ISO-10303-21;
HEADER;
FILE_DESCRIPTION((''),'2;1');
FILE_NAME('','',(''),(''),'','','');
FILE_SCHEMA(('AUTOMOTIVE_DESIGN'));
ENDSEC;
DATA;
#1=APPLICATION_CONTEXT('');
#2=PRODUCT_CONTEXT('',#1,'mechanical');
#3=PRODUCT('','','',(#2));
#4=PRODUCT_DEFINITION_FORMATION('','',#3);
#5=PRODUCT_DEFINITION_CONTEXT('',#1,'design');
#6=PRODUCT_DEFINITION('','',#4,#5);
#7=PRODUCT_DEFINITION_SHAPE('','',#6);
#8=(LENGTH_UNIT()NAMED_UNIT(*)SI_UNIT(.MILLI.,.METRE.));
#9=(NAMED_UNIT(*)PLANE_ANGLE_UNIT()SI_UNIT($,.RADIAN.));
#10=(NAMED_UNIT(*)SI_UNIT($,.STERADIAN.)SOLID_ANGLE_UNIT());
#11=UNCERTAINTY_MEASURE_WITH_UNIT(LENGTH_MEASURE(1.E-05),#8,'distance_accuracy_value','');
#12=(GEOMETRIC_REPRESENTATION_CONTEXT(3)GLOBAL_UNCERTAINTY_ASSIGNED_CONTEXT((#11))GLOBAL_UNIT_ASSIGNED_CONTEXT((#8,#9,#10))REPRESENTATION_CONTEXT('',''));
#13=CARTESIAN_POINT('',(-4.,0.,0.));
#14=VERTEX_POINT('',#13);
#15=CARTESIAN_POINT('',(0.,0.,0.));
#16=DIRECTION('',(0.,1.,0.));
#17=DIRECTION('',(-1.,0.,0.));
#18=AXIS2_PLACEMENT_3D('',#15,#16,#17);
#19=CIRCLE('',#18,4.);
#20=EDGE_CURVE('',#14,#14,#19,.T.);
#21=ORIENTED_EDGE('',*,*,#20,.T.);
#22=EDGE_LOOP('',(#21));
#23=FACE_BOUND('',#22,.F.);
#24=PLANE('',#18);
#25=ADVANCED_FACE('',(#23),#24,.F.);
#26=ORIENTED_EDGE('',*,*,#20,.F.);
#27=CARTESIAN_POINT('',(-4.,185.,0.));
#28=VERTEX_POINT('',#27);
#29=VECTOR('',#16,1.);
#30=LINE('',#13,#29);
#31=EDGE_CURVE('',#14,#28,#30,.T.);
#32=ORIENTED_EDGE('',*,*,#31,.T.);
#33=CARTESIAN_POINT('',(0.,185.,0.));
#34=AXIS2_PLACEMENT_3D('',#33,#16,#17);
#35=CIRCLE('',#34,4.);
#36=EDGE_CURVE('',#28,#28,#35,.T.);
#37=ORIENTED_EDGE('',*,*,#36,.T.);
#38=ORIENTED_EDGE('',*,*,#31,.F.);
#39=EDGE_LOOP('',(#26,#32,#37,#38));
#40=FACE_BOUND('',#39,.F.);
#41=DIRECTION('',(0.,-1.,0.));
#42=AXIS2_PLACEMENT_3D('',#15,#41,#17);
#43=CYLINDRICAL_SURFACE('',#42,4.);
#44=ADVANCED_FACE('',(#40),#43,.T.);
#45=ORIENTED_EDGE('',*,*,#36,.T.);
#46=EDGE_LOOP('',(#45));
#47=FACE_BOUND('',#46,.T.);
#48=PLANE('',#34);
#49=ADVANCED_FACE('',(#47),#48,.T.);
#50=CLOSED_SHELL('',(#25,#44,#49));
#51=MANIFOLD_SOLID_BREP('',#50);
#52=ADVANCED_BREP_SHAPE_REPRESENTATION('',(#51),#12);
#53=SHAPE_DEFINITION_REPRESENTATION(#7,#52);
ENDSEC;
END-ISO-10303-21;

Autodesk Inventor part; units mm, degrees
ref_plane "YZ Plane" through (0, 0, 0) normal (1, 0, 0) x (0, 1, 0)
ref_plane "XZ Plane" through (0, 0, 0) normal (0, 1, 0) x (-1, 0, 0)
ref_plane "XY Plane" through (0, 0, 0) normal (0, 0, 1) x (1, 0, 0)
sketch "Sketch1" plane through (0, 0, 0) normal (0, 1, 0) x (-1, 0, 0)
  circle A0 centre (0, 0) radius 4
  dimension "d0" = 8
extrude "Extrusion1" add sketch "Sketch1" along normal blind 185
equation "\"d1\" = bar_length"
equation "\"bar_length\" = 185"
properties part number "bar" material "Stainless Steel"
